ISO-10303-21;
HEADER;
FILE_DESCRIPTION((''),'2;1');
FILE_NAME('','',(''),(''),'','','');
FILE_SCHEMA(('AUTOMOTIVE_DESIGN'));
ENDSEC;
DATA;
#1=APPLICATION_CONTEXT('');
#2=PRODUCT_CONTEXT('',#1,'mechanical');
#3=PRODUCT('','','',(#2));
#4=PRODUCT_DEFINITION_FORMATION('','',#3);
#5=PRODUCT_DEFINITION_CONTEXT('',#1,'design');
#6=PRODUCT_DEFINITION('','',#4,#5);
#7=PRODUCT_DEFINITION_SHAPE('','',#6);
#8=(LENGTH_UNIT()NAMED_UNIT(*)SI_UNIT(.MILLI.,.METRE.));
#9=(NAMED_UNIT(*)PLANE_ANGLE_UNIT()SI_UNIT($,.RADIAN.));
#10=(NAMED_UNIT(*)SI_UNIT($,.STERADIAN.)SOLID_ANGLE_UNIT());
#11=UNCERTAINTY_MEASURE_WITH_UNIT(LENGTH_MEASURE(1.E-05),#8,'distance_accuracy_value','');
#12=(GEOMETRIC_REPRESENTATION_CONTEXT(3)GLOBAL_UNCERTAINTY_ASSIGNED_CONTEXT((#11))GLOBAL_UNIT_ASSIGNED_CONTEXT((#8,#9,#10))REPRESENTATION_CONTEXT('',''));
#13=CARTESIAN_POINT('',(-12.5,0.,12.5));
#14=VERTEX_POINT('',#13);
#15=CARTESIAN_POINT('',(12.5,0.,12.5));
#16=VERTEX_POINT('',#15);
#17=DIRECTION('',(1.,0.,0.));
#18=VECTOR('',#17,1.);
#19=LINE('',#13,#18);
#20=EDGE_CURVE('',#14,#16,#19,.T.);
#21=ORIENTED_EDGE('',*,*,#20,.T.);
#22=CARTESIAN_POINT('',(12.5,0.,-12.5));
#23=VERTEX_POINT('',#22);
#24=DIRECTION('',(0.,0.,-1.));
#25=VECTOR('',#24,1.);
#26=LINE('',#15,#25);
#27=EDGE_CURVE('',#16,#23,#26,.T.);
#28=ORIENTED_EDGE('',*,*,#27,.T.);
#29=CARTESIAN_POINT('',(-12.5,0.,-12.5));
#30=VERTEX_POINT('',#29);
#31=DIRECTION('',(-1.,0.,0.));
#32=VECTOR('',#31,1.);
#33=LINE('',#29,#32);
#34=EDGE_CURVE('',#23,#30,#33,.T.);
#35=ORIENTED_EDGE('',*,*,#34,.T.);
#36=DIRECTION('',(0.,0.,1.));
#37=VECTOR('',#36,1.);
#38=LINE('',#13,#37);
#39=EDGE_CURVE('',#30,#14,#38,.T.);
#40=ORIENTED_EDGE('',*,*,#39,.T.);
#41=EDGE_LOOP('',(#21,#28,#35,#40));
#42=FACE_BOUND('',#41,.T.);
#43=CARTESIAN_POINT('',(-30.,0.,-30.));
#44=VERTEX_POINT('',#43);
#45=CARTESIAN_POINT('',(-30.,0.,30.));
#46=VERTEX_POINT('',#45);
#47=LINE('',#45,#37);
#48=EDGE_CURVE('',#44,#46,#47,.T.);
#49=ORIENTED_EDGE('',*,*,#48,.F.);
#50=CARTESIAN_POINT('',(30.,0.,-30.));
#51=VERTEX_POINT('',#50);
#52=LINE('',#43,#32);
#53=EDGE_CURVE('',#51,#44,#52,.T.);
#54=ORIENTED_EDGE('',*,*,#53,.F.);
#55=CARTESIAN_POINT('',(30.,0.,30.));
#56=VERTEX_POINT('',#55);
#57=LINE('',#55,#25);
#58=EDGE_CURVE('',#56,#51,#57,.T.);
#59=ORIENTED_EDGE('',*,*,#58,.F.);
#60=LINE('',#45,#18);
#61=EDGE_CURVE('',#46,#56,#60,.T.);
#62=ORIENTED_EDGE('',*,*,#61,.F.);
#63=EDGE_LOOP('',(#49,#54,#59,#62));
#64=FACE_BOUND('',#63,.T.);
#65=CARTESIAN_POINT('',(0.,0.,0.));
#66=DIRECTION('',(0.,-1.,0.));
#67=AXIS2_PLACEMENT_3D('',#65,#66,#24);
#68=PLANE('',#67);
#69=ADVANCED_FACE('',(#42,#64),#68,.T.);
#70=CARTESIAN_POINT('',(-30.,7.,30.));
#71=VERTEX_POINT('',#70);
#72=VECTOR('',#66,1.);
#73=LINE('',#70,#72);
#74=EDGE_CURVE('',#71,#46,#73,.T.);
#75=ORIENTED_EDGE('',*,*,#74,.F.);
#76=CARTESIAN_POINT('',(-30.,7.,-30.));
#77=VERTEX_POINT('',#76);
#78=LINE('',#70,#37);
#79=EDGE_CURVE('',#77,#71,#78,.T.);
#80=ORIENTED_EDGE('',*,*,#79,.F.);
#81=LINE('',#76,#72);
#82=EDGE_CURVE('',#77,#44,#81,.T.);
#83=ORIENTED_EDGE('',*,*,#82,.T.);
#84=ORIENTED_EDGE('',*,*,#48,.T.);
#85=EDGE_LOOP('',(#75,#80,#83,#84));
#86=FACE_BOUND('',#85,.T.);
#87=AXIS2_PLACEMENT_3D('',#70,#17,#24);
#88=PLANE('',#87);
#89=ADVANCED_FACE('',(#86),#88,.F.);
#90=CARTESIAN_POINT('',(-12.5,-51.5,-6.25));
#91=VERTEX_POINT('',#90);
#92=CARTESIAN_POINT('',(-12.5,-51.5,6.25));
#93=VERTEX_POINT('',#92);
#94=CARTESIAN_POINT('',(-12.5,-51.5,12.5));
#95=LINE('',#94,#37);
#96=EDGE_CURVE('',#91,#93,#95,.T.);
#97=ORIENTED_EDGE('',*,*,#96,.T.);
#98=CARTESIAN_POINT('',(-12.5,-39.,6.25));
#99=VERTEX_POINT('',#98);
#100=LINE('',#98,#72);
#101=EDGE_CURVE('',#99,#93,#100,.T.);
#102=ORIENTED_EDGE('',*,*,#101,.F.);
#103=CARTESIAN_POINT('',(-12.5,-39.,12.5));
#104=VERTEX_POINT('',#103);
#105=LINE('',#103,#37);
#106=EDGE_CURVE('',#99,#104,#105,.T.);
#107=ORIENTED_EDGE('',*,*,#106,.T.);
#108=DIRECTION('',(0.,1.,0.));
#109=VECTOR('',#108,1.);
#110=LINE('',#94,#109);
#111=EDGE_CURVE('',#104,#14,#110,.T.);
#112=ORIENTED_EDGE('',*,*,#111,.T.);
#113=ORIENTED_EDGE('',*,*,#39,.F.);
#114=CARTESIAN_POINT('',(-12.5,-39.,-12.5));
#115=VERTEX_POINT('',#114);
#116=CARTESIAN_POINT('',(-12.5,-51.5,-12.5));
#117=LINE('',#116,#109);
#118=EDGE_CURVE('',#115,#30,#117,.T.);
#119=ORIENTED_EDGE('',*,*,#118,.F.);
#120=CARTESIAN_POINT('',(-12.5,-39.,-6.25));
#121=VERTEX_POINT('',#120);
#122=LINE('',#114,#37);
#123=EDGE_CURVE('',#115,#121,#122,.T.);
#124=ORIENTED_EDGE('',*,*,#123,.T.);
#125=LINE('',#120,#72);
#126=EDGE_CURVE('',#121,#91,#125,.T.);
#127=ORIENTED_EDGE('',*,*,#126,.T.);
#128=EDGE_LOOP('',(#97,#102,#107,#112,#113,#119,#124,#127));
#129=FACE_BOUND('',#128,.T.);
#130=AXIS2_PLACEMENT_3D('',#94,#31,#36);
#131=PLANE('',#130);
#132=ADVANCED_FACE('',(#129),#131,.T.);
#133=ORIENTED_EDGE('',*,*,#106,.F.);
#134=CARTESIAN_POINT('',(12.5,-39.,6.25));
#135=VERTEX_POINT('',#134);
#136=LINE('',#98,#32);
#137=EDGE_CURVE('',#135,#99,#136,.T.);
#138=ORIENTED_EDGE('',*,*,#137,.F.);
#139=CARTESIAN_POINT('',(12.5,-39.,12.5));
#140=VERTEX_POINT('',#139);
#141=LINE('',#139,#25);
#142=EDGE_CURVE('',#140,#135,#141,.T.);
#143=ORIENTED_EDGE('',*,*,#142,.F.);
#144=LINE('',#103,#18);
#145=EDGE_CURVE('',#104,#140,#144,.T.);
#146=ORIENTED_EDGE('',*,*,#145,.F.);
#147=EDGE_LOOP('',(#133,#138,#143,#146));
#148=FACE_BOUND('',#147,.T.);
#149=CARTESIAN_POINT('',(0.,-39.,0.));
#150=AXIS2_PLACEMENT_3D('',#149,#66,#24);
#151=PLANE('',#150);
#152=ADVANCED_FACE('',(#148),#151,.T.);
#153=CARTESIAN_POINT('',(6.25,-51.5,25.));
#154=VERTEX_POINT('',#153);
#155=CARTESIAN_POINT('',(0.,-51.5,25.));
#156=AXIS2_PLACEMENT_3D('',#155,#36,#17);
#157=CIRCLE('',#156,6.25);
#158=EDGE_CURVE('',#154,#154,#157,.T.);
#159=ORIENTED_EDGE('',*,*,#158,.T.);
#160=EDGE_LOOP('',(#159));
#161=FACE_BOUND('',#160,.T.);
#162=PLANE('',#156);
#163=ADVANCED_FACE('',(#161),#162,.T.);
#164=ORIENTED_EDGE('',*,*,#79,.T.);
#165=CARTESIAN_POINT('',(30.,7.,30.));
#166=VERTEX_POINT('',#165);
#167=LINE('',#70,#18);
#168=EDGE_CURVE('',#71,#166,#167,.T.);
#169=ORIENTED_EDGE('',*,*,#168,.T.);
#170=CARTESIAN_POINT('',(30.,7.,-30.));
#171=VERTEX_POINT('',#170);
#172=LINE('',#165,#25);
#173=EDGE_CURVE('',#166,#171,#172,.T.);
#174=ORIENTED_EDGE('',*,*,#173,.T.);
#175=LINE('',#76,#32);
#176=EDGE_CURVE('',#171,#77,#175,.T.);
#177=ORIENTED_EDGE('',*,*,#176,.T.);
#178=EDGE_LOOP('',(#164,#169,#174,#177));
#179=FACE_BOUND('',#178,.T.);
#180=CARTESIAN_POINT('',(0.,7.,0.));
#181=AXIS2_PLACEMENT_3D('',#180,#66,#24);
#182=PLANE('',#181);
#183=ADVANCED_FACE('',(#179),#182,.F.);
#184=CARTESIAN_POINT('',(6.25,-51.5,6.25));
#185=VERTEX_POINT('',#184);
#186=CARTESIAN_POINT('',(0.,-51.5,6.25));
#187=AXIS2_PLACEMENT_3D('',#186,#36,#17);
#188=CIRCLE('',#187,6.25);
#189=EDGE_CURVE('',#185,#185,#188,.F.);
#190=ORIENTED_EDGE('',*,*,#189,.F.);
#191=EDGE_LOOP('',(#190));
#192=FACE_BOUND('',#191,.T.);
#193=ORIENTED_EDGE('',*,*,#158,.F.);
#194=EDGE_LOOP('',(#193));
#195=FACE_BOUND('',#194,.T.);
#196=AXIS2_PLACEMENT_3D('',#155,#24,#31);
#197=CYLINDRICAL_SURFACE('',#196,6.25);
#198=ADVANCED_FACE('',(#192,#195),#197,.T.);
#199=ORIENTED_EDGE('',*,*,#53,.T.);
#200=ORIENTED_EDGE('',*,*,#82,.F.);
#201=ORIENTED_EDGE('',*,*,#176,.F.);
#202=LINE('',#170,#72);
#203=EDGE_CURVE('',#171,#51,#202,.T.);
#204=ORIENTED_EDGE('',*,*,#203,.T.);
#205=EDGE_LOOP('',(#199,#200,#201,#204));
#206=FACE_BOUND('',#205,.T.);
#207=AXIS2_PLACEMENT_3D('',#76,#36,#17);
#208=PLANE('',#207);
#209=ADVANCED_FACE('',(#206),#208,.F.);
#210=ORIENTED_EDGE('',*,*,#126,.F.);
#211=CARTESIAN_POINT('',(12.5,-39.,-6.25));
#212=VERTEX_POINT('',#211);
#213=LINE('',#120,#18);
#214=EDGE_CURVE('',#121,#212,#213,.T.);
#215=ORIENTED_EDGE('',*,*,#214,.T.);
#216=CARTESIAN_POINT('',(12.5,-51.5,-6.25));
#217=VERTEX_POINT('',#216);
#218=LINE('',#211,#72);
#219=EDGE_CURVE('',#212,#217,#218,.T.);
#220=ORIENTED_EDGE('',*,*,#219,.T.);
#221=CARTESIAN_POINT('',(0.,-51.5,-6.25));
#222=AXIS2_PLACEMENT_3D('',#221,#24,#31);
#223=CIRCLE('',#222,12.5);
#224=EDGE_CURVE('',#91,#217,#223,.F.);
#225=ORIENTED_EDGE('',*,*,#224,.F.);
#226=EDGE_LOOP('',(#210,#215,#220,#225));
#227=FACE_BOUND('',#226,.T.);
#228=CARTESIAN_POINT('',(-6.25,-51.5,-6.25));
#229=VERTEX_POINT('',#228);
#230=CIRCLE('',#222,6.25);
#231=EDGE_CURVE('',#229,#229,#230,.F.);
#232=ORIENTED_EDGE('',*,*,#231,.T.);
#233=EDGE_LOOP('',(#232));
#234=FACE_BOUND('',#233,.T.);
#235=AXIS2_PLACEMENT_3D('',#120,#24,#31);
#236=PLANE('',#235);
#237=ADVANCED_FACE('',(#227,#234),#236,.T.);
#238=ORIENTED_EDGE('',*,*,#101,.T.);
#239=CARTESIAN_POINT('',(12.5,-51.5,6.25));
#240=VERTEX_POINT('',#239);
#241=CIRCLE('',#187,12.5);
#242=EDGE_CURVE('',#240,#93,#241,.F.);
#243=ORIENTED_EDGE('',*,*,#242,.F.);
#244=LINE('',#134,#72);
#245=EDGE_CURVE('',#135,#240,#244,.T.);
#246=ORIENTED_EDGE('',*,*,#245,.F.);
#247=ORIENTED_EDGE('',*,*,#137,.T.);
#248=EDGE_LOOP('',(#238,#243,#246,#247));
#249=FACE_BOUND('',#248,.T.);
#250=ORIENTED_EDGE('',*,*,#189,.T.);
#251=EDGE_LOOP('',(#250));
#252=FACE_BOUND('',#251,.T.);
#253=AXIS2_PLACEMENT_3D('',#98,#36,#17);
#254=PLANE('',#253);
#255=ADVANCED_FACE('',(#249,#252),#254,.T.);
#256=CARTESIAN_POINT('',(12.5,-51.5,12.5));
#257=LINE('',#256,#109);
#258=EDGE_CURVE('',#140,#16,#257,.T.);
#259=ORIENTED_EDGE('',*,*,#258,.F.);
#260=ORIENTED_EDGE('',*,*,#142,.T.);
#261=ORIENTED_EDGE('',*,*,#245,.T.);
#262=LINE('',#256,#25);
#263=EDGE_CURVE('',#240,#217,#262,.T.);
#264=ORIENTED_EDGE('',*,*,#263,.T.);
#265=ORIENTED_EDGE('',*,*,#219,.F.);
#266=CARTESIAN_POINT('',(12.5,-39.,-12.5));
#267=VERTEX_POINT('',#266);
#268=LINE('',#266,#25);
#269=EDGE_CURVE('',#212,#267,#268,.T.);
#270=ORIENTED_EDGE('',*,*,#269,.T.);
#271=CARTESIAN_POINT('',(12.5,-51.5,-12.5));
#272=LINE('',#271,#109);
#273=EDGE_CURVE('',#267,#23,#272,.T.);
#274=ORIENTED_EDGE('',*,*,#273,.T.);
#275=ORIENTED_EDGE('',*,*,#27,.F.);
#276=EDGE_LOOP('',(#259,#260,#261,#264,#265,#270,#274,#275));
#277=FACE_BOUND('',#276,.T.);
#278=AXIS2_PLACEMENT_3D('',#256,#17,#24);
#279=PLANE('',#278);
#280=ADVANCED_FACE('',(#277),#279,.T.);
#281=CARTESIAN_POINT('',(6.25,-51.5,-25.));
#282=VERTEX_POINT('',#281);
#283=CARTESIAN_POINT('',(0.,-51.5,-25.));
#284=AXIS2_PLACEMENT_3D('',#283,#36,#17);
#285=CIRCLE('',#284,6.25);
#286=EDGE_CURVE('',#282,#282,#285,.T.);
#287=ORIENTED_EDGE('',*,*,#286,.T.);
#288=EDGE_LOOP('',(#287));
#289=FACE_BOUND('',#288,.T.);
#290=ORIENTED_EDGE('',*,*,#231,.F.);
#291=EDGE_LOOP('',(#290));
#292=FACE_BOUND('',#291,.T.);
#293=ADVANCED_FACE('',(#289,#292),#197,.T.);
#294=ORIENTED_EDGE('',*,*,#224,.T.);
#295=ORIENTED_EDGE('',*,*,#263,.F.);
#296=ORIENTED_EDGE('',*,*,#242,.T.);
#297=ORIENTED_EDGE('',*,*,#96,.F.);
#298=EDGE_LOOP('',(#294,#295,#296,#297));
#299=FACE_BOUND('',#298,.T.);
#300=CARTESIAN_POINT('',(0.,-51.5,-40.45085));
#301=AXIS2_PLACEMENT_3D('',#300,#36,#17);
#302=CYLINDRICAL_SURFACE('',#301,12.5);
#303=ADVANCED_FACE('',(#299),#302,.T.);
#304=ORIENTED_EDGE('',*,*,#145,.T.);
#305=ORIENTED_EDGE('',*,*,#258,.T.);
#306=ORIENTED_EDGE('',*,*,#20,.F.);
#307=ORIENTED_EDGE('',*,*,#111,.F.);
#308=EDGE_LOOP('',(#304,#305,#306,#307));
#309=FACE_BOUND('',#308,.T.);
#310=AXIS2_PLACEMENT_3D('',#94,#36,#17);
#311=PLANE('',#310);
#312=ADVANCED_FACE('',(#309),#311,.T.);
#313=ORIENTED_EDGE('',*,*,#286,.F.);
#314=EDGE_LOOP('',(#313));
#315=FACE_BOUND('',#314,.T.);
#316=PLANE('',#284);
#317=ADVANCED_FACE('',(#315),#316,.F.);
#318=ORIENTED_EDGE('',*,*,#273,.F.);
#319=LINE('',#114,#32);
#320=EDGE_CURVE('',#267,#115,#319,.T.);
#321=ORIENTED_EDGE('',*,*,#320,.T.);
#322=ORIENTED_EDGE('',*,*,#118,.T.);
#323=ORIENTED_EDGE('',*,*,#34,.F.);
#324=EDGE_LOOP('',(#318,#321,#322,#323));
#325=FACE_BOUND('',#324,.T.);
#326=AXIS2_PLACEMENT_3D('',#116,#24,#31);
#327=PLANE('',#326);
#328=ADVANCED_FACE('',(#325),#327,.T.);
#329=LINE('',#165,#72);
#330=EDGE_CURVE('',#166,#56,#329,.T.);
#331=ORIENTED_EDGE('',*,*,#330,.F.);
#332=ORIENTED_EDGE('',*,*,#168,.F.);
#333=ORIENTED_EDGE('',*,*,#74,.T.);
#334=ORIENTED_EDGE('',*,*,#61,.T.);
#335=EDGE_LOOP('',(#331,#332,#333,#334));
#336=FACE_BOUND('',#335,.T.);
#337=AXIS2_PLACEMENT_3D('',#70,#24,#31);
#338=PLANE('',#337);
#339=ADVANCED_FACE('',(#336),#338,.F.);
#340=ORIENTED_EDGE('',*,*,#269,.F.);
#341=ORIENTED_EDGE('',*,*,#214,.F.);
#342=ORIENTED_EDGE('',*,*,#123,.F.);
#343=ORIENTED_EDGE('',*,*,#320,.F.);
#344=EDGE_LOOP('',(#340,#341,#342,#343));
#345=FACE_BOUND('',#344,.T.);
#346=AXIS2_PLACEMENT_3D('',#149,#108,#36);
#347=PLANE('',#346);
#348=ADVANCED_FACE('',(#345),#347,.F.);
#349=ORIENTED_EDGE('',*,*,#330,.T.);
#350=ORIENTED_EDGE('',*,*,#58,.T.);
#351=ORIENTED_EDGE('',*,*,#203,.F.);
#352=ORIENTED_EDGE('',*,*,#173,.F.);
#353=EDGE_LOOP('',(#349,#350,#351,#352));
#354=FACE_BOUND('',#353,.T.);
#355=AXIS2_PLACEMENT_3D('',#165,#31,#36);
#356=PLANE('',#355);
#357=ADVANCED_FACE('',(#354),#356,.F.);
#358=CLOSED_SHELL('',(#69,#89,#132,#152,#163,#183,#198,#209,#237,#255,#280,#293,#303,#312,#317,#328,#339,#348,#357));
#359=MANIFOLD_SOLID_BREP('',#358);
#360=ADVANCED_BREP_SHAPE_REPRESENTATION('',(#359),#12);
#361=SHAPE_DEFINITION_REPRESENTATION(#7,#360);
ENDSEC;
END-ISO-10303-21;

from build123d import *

# Parameters (mm, degrees)
SKETCH_1_W           = 60
SKETCH_1_H           = 60
EXTRUDE_1_DEPTH      = 7
SKETCH_3_W           = 25
SKETCH_3_H           = 25
EXTRUDE_2_DEPTH      = 51.5
EXTRUDE_START        = 12.5
EXTRUDE_3_DEPTH      = 25
CUT_EXTRUDE_START    = -64
SKETCH_7_W           = 25
SKETCH_7_H           = 6.25
CUT_EXTRUDE_3_DEPTH  = 25
EXTRUDE_4_DEPTH      = 25
EXTRUDE_4_DEPTH_BACK = 25
SKETCH_8_R           = 6.25


with BuildPart() as part:
    # 草图1 → 凸台-拉伸1 (new body)
    with BuildSketch(Plane(origin=(0, 0, 0), x_dir=(1, 0, 0), z_dir=(0, 1, 0))):
        Rectangle(SKETCH_1_W, SKETCH_1_H)
    extrude(amount=EXTRUDE_1_DEPTH)

    # 草图3 → 凸台-拉伸2 (add)
    with BuildSketch(Plane(origin=(0, 0, 0), x_dir=(1, 0, 0), z_dir=(0, 1, 0))):
        Rectangle(SKETCH_3_W, SKETCH_3_H)
    extrude(amount=-EXTRUDE_2_DEPTH)

    # 草图4 → 凸台-拉伸3 (add)
    with BuildSketch(Plane.XY.offset(EXTRUDE_START)):
        with BuildLine():
            Line((12.5, -51.5), (-12.5, -51.5))
            ThreePointArc((-12.5, -51.5), (0, -64), (12.5, -51.5))
        make_face()
    extrude(amount=-EXTRUDE_3_DEPTH)

    # 草图7 → 切除-拉伸3 (cut)
    with BuildSketch(Plane(origin=(0, 0, 0), x_dir=(1, 0, 0), z_dir=(0, 1, 0)).offset(CUT_EXTRUDE_START)):
        with Locations((0, 9.375)):
            Rectangle(SKETCH_7_W, SKETCH_7_H)
        with Locations((0, -9.375)):
            Rectangle(SKETCH_7_W, SKETCH_7_H)
    extrude(amount=CUT_EXTRUDE_3_DEPTH, mode=Mode.SUBTRACT)

    # 草图8 → 凸台-拉伸4 (add, two sides: drawn at the far end of the back side and taken through both)
    with BuildSketch(Plane.XY.offset(-EXTRUDE_4_DEPTH_BACK)):
        with Locations((0, -51.5)):
            Circle(SKETCH_8_R)
    extrude(amount=EXTRUDE_4_DEPTH + EXTRUDE_4_DEPTH_BACK)


solid = part.part
